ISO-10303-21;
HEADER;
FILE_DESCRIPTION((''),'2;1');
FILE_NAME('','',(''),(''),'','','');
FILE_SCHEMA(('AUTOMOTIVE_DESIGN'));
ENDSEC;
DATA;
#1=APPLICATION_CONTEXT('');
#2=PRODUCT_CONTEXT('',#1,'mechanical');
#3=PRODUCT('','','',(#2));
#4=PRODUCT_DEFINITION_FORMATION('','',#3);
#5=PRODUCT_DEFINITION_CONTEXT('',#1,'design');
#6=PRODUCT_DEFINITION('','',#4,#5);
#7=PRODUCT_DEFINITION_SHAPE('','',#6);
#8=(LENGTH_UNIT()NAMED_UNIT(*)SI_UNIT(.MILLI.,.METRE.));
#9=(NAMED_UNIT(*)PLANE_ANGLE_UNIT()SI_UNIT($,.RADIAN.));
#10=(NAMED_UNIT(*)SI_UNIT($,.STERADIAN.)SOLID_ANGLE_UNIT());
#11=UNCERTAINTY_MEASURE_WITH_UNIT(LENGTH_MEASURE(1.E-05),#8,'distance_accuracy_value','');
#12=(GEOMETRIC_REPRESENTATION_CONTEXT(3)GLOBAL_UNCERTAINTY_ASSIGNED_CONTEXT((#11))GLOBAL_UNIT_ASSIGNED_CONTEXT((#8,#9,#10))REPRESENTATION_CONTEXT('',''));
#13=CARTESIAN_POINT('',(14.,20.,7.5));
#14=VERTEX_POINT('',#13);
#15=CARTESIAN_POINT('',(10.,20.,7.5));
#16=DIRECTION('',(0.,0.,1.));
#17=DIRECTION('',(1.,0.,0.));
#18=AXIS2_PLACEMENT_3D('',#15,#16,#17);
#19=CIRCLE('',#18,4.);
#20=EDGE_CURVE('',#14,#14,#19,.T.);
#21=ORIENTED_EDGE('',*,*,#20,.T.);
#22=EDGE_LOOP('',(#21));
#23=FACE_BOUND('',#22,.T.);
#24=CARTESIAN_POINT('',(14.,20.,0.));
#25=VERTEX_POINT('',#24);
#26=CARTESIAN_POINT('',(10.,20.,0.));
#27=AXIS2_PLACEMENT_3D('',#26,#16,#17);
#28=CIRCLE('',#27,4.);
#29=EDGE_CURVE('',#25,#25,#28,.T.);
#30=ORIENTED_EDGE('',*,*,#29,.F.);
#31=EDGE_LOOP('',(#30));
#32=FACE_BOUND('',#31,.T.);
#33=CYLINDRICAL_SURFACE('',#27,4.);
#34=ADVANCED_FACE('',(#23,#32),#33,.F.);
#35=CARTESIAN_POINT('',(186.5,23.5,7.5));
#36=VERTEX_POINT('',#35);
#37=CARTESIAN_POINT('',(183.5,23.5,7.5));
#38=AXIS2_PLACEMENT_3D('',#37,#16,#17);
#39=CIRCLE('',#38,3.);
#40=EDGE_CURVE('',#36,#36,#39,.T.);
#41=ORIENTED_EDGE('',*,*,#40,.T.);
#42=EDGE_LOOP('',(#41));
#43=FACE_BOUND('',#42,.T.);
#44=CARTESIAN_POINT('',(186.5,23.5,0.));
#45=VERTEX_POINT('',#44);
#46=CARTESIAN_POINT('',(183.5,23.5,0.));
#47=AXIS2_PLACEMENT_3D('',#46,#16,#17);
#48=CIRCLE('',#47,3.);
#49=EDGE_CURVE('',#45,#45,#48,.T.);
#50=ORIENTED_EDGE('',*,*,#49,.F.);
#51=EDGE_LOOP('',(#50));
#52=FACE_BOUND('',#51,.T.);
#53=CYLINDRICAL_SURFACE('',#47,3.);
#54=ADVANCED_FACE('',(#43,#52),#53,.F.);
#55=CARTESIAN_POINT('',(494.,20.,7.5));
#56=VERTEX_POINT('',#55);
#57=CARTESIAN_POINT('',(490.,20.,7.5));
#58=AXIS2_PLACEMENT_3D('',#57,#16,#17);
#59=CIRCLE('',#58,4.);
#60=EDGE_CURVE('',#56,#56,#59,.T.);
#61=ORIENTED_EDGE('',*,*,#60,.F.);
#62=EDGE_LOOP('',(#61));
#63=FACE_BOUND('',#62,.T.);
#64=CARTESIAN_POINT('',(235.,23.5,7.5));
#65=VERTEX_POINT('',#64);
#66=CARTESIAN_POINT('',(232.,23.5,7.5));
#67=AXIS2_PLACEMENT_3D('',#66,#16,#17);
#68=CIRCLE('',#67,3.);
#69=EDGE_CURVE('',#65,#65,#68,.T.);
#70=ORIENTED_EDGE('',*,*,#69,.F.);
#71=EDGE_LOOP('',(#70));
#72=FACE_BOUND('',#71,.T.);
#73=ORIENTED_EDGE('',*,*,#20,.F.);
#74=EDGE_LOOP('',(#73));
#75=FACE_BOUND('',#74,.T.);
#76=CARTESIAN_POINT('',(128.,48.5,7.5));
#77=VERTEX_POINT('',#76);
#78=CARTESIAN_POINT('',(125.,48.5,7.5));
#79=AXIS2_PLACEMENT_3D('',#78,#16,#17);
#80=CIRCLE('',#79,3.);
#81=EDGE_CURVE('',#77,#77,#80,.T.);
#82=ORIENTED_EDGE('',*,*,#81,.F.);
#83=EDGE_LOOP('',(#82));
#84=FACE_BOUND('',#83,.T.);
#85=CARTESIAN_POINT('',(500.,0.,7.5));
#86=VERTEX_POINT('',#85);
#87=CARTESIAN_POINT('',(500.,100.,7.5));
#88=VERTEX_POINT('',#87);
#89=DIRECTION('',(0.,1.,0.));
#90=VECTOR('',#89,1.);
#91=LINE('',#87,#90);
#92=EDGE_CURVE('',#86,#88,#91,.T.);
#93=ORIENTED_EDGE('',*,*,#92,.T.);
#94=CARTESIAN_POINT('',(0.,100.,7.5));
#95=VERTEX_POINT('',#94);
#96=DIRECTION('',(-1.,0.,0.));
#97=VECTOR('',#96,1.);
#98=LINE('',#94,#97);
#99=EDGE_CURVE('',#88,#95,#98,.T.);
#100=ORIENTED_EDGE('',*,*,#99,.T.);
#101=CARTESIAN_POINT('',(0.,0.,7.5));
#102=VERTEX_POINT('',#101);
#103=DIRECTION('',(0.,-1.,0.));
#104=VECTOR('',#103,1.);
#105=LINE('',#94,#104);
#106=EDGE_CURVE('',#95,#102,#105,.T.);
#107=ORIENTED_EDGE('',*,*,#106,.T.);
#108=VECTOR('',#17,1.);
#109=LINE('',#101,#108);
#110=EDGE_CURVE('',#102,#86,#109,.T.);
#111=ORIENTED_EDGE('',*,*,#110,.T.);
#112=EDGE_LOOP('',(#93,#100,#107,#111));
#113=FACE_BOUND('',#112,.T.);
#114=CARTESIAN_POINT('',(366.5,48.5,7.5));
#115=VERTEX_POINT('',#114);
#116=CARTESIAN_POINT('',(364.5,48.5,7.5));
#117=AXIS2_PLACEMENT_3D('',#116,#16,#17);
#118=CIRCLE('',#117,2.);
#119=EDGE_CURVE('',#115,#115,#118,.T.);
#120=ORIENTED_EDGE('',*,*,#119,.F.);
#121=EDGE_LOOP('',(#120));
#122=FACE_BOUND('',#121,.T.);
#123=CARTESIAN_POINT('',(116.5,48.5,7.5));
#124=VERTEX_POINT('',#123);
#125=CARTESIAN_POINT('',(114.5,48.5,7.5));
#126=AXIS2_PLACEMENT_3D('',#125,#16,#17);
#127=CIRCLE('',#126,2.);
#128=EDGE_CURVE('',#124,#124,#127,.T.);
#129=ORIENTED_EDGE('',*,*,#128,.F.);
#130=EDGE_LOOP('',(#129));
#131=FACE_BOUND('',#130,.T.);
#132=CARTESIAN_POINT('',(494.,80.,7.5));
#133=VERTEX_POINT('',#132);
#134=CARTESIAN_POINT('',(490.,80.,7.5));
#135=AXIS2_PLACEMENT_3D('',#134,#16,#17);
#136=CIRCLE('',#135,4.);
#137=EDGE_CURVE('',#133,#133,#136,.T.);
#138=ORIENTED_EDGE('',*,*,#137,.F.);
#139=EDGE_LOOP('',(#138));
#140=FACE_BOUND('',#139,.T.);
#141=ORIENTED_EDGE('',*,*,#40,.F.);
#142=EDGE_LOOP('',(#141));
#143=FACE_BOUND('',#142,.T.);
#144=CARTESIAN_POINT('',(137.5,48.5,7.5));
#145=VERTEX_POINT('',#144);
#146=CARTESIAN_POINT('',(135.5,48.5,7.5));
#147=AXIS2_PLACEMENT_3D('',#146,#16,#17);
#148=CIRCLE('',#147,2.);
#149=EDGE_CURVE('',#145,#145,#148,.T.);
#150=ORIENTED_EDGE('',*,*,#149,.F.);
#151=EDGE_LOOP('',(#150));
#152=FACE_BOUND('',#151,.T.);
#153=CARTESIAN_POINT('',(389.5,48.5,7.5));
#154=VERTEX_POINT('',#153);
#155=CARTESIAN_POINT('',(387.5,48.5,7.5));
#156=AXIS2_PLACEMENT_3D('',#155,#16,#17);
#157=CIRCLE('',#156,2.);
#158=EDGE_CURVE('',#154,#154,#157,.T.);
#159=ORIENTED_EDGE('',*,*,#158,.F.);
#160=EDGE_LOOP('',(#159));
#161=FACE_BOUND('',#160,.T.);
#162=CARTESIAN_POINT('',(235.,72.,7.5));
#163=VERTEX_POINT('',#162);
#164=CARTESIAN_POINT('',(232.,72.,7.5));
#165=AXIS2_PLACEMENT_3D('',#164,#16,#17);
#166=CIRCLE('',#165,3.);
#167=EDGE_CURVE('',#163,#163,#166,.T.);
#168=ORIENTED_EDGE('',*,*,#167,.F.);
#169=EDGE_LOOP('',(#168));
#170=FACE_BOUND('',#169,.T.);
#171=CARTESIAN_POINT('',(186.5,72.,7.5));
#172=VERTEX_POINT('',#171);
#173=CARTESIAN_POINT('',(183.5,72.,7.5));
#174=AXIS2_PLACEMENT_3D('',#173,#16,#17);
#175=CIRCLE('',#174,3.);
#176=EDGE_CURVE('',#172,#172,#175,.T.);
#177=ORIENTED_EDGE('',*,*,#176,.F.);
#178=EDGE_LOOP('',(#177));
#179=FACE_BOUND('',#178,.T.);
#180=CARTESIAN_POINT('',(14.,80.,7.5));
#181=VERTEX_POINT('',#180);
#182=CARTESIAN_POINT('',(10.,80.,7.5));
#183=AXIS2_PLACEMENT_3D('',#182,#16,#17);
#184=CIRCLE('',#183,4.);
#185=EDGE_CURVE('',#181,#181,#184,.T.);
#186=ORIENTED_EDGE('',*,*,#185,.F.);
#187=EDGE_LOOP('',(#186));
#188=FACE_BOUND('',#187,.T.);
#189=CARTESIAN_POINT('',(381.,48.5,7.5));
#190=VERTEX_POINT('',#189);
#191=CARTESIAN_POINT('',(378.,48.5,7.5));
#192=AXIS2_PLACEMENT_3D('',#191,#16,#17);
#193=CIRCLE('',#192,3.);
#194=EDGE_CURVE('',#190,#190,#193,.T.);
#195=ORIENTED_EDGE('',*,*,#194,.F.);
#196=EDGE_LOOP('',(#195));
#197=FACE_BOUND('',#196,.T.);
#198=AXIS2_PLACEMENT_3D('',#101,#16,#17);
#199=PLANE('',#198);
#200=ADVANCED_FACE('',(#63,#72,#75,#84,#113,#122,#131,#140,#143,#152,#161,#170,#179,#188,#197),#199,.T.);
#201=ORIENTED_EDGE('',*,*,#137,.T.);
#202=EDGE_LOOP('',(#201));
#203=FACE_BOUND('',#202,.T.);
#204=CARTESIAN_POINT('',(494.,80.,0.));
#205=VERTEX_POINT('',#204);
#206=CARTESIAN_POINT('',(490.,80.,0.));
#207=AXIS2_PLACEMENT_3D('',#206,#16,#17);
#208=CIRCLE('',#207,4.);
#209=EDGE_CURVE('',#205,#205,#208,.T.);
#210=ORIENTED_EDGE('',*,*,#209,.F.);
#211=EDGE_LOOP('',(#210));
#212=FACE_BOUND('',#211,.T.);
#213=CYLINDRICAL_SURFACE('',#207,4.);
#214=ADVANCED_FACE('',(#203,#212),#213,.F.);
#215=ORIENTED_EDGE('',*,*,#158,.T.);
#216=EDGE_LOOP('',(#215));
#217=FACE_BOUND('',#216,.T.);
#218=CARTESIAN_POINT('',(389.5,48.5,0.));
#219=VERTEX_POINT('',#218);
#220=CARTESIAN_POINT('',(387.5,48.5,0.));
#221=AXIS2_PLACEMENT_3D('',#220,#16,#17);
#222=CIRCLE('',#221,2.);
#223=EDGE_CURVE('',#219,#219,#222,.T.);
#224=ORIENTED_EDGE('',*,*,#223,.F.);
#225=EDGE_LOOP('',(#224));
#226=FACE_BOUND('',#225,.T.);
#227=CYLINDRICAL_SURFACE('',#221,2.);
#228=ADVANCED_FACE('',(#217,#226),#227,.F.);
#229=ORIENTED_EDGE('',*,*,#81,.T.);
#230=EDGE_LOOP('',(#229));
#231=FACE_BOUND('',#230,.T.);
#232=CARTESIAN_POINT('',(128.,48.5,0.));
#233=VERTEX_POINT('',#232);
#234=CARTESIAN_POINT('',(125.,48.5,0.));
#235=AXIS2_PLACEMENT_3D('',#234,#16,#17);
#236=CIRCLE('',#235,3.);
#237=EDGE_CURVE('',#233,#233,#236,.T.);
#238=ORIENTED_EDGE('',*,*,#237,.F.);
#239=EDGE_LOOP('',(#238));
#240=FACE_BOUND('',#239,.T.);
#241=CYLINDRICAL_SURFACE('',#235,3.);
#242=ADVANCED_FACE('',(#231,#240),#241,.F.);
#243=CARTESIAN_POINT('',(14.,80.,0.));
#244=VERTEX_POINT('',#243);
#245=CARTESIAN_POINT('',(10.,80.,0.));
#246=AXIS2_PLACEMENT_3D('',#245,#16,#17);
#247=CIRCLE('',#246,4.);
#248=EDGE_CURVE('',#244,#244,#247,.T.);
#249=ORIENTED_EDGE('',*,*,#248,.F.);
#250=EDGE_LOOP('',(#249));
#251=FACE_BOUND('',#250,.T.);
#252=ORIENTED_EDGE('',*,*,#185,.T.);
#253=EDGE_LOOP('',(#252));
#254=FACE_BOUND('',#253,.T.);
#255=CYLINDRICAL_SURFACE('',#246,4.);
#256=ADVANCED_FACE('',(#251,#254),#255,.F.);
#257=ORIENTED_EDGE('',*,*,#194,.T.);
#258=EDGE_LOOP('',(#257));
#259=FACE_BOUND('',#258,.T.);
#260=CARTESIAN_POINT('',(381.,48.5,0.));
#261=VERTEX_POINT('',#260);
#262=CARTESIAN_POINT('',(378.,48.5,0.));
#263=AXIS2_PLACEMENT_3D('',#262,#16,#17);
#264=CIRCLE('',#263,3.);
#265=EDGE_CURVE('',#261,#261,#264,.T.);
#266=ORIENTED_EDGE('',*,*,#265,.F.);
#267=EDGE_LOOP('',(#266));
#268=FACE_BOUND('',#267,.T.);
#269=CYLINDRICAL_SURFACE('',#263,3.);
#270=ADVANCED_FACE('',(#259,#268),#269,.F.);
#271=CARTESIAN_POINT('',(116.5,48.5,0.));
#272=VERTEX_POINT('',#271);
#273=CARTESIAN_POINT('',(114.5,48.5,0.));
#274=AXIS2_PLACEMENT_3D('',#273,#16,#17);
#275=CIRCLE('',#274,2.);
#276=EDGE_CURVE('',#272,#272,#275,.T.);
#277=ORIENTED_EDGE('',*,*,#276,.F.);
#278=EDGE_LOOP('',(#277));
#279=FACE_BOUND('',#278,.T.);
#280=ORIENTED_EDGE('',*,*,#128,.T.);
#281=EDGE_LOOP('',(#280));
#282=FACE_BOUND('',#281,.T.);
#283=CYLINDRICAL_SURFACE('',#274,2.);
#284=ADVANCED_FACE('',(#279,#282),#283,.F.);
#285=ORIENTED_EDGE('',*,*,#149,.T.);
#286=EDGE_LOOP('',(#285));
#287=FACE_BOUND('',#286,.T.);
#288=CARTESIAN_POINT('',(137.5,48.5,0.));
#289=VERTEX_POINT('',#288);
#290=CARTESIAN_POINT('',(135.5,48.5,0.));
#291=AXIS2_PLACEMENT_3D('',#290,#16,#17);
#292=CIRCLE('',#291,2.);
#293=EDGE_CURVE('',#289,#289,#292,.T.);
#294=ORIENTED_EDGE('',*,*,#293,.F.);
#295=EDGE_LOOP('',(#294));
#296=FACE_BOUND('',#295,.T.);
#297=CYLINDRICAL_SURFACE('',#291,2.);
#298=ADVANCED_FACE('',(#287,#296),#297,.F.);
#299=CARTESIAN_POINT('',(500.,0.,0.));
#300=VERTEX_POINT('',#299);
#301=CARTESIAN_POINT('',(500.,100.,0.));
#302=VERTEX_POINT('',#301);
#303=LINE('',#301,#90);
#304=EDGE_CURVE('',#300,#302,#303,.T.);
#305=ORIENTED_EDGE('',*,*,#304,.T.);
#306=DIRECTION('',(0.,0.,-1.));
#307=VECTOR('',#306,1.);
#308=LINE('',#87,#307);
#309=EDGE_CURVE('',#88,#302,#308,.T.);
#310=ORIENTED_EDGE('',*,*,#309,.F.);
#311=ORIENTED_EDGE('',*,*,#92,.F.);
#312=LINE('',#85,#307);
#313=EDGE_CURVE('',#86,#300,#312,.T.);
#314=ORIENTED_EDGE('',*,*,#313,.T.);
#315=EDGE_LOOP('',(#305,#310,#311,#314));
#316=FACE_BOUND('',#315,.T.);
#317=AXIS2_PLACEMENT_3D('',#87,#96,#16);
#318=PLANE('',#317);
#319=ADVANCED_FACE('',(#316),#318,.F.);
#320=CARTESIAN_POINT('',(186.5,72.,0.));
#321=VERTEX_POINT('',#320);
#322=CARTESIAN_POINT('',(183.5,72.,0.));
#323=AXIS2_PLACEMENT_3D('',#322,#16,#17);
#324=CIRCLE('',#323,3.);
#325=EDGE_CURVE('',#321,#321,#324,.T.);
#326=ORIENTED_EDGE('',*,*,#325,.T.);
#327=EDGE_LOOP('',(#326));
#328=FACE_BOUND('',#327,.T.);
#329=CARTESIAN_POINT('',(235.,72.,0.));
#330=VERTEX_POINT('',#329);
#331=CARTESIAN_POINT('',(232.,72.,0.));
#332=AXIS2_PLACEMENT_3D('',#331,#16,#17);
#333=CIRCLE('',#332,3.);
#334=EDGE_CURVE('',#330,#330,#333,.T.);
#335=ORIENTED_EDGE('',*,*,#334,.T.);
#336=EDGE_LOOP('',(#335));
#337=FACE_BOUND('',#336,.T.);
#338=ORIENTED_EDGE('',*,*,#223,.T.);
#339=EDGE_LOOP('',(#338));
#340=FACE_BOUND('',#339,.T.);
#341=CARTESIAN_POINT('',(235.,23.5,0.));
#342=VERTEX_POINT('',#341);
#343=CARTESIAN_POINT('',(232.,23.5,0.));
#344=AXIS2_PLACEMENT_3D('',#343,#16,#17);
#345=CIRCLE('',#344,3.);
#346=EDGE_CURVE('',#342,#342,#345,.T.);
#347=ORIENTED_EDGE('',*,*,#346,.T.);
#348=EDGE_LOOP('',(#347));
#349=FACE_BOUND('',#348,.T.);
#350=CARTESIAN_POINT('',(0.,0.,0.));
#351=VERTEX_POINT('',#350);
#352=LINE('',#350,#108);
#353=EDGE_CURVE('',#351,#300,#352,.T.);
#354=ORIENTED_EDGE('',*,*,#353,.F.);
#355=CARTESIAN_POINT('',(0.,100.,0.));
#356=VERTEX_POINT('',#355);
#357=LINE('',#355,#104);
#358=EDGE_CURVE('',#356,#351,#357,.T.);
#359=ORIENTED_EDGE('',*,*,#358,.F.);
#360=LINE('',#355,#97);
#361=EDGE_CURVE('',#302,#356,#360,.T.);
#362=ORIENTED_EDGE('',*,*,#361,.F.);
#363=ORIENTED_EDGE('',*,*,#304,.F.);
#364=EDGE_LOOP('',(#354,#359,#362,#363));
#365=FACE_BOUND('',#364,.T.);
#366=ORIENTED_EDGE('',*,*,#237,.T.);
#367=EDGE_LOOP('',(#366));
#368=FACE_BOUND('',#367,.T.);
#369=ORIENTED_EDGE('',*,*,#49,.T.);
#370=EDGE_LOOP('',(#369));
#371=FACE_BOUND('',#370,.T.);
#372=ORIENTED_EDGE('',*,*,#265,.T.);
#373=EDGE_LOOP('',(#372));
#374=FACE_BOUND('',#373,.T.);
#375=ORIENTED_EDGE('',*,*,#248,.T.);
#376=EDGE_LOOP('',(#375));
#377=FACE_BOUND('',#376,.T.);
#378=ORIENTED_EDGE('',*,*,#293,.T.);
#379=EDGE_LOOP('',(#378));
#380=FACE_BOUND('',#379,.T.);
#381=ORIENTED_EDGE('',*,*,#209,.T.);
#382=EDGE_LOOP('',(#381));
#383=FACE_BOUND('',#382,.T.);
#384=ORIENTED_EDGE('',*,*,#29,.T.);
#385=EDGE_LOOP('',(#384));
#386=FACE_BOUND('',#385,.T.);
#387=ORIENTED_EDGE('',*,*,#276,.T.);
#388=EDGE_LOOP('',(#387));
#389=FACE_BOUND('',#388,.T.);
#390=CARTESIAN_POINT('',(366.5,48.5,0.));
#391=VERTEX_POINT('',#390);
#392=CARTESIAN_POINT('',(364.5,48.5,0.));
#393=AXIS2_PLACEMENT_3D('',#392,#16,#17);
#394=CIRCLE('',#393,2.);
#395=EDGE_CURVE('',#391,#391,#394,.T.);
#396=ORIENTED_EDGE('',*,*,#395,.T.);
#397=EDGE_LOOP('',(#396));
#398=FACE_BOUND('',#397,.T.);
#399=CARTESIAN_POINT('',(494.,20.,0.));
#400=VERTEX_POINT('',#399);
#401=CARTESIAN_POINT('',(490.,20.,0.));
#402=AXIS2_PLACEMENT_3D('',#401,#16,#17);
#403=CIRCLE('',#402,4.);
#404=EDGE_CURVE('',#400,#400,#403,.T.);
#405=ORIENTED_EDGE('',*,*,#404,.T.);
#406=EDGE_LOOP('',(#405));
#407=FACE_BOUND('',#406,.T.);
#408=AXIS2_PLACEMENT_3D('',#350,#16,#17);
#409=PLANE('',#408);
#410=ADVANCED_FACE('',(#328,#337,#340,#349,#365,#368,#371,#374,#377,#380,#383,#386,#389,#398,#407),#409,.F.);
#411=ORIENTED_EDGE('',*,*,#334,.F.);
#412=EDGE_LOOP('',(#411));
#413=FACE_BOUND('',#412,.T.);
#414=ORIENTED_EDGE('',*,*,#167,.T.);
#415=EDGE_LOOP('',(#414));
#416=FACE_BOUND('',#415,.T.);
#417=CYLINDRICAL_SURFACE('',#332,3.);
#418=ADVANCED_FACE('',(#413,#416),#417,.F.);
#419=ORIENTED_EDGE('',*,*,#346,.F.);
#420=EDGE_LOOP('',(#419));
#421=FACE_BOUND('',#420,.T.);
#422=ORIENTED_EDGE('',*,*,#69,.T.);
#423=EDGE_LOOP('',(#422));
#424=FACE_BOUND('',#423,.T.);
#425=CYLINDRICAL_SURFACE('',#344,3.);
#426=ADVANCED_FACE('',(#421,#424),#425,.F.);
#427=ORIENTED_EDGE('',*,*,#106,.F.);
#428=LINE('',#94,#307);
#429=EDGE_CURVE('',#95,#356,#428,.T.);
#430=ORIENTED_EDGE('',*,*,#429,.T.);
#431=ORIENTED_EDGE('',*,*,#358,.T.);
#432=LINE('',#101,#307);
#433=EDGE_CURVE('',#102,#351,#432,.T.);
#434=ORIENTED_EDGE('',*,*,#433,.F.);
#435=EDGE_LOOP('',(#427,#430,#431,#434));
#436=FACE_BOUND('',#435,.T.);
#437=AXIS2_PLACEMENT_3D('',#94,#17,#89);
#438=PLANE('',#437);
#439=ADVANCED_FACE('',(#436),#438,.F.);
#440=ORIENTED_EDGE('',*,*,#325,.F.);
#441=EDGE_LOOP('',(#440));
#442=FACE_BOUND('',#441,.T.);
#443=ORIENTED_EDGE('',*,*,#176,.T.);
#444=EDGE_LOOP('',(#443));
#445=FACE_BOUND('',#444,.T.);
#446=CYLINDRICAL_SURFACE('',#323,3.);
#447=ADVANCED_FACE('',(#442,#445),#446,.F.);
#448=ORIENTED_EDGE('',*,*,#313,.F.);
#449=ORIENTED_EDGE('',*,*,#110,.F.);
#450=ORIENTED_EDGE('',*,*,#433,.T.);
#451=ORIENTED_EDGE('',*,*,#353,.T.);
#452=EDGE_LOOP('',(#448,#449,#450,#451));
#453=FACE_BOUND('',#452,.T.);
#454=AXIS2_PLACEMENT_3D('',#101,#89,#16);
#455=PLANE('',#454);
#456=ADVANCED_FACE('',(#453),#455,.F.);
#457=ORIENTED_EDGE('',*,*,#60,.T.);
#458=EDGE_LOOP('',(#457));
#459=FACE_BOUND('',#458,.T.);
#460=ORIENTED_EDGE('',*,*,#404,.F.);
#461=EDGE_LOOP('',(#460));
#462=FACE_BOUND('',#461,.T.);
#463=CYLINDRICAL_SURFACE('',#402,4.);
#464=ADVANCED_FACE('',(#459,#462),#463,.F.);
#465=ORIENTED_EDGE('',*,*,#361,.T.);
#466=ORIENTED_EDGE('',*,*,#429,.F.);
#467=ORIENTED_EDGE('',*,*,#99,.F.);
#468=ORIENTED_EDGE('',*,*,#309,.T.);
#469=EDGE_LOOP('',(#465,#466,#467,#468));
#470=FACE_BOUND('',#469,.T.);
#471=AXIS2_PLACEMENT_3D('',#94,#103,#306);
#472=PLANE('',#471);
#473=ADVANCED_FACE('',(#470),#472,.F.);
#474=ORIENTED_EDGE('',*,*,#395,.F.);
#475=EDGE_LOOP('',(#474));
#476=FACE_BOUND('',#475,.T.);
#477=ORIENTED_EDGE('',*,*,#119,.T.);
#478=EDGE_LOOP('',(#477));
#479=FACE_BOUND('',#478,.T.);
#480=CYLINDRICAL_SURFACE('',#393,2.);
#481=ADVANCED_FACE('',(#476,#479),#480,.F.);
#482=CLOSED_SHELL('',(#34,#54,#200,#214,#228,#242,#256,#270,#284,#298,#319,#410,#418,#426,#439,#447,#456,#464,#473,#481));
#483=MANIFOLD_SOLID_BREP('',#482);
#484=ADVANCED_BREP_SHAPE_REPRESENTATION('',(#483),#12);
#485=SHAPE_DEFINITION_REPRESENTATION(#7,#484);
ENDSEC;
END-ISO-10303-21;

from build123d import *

# Parameters (mm, degrees)
SKETCH2_W           = 500
SKETCH2_H           = 100
BOSS_EXTRUDE1_DEPTH = 7.5
SKETCH8_R           = 3
CUT_EXTRUDE2_DEPTH  = 510.957106039
SKETCH9_R           = 3
SKETCH9_R_2         = 2
CUT_EXTRUDE3_DEPTH  = 510.957106039
SKETCH11_R          = 4
CUT_EXTRUDE4_DEPTH  = 510.957106039


with BuildPart() as part:
    # Sketch2 → Boss-Extrude1 (new body)
    with BuildSketch(Plane.XY):
        with Locations((250, 50)):
            Rectangle(SKETCH2_W, SKETCH2_H)
    extrude(amount=BOSS_EXTRUDE1_DEPTH)

    # Sketch8 → Cut-Extrude2 (cut, through all)
    with BuildSketch(Plane.XY.offset(7.5)):
        with Locations((183.5, 23.5)):
            Circle(SKETCH8_R)
        with Locations((183.5, 72)):
            Circle(SKETCH8_R)
        with Locations((232, 72)):
            Circle(SKETCH8_R)
        with Locations((232, 23.5)):
            Circle(SKETCH8_R)
    extrude(amount=-CUT_EXTRUDE2_DEPTH, mode=Mode.SUBTRACT)

    # Sketch9 → Cut-Extrude3 (cut, through all)
    with BuildSketch(Plane.XY.offset(7.5)):
        with Locations((125, 48.5)):
            Circle(SKETCH9_R)
        with Locations((135.5, 48.5)):
            Circle(SKETCH9_R_2)
        with Locations((114.5, 48.5)):
            Circle(SKETCH9_R_2)
        with Locations((378, 48.5)):
            Circle(SKETCH9_R)
        with Locations((387.5, 48.5)):
            Circle(SKETCH9_R_2)
        with Locations((364.5, 48.5)):
            Circle(SKETCH9_R_2)
    extrude(amount=-CUT_EXTRUDE3_DEPTH, mode=Mode.SUBTRACT)

    # Sketch11 → Cut-Extrude4 (cut, through all)
    with BuildSketch(Plane.XY.offset(7.5)):
        with Locations((10, 80)):
            Circle(SKETCH11_R)
        with Locations((10, 20)):
            Circle(SKETCH11_R)
        with Locations((490, 20)):
            Circle(SKETCH11_R)
        with Locations((490, 80)):
            Circle(SKETCH11_R)
    extrude(amount=-CUT_EXTRUDE4_DEPTH, mode=Mode.SUBTRACT)


solid = part.part
